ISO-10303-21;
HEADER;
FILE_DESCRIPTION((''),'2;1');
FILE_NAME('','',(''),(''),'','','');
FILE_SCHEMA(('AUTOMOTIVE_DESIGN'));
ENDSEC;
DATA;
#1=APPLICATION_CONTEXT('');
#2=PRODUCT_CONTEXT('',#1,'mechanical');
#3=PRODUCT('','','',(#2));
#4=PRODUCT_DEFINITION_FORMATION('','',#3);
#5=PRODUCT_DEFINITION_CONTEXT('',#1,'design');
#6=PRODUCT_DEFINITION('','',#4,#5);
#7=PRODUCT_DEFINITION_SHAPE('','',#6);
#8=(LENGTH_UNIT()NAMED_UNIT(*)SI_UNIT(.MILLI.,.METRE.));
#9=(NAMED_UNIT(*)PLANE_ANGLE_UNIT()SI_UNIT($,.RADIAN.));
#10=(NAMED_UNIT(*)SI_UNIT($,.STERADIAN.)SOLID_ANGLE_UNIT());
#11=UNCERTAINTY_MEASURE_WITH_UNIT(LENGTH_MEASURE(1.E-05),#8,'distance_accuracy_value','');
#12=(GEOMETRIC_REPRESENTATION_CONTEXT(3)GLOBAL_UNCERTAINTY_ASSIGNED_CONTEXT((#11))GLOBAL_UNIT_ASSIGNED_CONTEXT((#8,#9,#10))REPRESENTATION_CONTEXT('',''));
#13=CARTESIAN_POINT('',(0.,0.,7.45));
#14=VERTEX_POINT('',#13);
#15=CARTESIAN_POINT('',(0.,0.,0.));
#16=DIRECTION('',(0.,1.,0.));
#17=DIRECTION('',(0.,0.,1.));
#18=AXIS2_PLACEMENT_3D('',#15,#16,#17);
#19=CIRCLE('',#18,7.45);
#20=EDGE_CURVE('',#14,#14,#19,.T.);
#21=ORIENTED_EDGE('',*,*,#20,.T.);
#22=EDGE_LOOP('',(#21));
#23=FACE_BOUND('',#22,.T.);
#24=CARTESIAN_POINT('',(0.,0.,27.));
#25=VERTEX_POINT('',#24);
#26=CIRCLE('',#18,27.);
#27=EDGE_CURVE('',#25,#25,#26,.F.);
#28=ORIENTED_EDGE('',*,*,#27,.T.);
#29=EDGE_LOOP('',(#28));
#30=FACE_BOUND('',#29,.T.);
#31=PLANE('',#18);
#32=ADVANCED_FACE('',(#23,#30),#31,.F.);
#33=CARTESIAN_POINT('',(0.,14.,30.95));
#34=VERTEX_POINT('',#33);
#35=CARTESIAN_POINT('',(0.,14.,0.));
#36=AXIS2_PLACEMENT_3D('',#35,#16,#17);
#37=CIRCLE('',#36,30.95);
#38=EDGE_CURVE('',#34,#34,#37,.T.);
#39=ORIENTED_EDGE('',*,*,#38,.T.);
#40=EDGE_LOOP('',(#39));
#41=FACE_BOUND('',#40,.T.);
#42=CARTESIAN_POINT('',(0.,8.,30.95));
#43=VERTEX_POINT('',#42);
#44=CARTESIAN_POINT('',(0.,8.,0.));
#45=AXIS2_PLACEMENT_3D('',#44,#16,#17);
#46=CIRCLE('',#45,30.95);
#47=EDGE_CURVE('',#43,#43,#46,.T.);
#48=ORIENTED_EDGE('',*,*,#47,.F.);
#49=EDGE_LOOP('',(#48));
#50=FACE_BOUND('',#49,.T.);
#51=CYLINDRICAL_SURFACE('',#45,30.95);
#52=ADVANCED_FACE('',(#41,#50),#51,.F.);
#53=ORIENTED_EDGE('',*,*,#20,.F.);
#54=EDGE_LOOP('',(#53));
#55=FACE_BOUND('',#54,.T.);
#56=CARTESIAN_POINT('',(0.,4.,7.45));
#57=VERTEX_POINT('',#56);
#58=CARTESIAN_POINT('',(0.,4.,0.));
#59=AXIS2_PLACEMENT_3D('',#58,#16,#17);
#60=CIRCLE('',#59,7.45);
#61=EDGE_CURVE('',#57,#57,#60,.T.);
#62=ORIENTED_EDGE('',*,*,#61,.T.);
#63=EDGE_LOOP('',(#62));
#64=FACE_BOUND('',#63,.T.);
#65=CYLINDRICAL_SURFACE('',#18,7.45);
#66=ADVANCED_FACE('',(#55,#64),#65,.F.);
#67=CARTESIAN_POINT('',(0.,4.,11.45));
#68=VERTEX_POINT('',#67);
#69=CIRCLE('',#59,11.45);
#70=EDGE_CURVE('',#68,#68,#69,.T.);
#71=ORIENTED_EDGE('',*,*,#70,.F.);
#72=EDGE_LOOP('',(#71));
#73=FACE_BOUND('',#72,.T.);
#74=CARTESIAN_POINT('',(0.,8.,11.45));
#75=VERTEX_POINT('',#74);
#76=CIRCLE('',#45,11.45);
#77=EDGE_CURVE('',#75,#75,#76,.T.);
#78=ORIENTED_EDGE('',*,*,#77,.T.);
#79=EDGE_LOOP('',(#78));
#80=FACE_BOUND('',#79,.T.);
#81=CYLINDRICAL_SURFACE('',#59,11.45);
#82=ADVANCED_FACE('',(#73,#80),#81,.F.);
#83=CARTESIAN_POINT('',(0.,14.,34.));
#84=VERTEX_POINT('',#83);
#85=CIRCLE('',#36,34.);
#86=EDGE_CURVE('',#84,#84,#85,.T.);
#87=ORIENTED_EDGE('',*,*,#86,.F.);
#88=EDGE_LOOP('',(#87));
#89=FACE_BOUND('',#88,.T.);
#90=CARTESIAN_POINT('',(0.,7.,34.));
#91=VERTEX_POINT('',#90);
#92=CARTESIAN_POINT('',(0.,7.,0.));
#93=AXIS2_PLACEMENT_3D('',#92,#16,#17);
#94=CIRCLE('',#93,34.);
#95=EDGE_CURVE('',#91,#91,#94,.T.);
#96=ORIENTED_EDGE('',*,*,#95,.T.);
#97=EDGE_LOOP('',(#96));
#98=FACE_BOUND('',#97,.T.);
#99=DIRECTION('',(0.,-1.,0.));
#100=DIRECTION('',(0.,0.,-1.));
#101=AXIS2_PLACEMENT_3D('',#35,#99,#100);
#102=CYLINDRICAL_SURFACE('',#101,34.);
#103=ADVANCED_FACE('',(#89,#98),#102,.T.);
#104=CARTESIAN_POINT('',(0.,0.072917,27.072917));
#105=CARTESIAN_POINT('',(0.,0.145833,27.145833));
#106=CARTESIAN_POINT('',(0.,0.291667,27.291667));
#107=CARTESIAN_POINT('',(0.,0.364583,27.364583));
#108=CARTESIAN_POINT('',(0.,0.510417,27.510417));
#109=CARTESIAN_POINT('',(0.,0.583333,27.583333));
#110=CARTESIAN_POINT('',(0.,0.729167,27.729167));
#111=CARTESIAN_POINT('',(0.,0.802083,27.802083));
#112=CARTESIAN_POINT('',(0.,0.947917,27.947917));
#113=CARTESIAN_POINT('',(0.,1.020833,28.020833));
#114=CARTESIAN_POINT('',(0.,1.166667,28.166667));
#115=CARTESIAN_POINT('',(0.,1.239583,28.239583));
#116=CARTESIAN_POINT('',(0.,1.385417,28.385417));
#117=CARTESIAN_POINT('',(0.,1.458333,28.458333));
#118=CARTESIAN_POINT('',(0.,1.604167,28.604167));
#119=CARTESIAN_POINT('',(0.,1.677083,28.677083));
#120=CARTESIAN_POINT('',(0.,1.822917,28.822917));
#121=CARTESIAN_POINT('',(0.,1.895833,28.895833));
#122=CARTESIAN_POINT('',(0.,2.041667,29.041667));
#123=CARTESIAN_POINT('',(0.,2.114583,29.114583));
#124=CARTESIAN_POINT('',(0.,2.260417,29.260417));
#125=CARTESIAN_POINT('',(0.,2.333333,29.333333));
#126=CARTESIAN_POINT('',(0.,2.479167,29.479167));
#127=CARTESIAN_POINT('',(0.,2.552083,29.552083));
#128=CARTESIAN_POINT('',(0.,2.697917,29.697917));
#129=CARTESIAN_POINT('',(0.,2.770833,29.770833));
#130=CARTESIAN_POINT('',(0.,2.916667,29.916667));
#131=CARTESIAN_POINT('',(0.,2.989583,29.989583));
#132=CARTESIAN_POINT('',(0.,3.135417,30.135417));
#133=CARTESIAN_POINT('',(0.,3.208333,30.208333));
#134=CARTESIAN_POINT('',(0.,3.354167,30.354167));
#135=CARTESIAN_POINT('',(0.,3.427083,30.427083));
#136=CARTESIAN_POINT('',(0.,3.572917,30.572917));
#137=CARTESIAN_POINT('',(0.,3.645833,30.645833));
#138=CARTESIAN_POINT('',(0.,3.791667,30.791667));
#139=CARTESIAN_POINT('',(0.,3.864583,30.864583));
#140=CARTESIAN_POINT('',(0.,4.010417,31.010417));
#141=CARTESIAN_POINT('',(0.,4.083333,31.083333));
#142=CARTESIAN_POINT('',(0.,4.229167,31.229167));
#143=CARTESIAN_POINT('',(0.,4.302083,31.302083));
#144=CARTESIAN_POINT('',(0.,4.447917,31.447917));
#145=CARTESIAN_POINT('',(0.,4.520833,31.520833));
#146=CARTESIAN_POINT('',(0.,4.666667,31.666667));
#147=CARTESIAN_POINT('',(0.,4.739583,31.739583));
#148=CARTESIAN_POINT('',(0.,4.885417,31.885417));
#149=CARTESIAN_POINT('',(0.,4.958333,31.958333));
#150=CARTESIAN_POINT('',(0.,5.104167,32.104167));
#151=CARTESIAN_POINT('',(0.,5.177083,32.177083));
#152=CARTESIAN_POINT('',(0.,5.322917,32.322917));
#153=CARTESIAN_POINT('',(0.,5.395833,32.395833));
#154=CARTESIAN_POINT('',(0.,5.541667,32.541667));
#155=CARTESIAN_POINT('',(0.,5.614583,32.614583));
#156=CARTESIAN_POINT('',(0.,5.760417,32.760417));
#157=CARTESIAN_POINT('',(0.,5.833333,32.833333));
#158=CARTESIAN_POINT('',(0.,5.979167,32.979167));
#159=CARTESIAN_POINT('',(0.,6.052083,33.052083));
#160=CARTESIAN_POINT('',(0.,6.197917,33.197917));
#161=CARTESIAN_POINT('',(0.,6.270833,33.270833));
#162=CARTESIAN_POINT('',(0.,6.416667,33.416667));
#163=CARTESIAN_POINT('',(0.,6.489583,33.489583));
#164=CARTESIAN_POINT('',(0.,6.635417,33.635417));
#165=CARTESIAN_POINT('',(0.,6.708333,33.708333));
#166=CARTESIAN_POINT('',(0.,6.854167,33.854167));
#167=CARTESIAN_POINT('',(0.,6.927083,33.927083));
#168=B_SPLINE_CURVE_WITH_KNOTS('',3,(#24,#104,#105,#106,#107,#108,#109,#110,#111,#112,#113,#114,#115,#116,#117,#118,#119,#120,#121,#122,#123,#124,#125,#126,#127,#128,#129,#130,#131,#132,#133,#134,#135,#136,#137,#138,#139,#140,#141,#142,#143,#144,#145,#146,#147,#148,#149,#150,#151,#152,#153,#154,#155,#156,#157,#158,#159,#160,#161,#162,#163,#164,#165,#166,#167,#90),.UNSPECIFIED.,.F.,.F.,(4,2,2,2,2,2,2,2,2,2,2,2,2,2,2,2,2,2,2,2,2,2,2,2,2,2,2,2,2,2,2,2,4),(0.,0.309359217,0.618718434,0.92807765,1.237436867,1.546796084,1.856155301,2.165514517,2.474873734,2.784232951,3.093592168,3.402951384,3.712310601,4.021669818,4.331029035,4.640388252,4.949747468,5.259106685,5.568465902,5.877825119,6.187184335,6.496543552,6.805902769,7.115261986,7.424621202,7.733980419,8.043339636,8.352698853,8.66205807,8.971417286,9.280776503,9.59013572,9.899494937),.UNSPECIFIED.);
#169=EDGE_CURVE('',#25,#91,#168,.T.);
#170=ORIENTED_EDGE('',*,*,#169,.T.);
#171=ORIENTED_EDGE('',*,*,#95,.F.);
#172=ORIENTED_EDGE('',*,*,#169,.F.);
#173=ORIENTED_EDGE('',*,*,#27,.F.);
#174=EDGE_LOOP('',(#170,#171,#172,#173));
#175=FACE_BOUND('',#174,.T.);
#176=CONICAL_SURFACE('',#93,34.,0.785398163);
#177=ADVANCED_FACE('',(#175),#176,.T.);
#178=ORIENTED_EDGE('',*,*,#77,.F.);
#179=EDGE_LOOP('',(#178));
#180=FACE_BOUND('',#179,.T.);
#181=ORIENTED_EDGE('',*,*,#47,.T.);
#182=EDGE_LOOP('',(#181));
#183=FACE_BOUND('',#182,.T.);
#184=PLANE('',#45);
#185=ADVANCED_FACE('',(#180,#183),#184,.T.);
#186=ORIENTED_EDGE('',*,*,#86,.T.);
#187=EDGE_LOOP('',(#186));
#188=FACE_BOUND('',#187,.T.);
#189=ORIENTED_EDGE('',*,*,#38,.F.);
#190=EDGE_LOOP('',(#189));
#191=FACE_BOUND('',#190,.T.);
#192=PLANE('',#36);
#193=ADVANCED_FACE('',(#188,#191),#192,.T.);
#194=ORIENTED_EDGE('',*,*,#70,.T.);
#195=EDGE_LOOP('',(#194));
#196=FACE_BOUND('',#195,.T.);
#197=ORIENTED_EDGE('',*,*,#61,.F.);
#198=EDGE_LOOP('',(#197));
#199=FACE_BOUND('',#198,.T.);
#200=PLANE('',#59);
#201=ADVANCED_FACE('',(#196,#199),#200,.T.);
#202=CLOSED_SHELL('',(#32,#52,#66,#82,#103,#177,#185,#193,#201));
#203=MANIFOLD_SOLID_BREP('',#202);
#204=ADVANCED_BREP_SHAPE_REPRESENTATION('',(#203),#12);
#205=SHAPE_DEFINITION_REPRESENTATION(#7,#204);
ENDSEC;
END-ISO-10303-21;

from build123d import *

# Parameters (mm, degrees)
SKETCH1_R           = 34
BOSS_EXTRUDE1_DEPTH = 14
SKETCH2_R           = 30.95
CUT_EXTRUDE1_DEPTH  = 6
SKETCH3_R           = 11.45
CUT_EXTRUDE2_DEPTH  = 4
SKETCH4_R           = 7.45
CUT_EXTRUDE3_DEPTH  = 4
CHAMFER1_SIZE       = 7


with BuildPart() as part:
    # Sketch1 → Boss-Extrude1 (new body)
    with BuildSketch(Plane(origin=(0, 0, 0), x_dir=(1, 0, 0), z_dir=(0, 1, 0))):
        with Locations(Location((0, 0, 0), (0, 0, 270))):
            Circle(SKETCH1_R)
    extrude(amount=BOSS_EXTRUDE1_DEPTH)

    # Sketch2 → Cut-Extrude1 (cut)
    with BuildSketch(Plane(origin=(0, 14, 0), x_dir=(1, 0, 0), z_dir=(0, 1, 0))):
        with Locations(Location((0, 0, 0), (0, 0, 270))):
            Circle(SKETCH2_R)
    extrude(amount=-CUT_EXTRUDE1_DEPTH, mode=Mode.SUBTRACT)

    # Sketch3 → Cut-Extrude2 (cut)
    with BuildSketch(Plane(origin=(0, 8, 0), x_dir=(1, 0, 0), z_dir=(0, 1, 0))):
        with Locations(Location((0, 0, 0), (0, 0, 270))):
            Circle(SKETCH3_R)
    extrude(amount=-CUT_EXTRUDE2_DEPTH, mode=Mode.SUBTRACT)

    # Sketch4 → Cut-Extrude3 (cut)
    with BuildSketch(Plane(origin=(0, 4, 0), x_dir=(1, 0, 0), z_dir=(0, 1, 0))):
        with Locations(Location((0, 0, 0), (0, 0, 270))):
            Circle(SKETCH4_R)
    extrude(amount=-CUT_EXTRUDE3_DEPTH, mode=Mode.SUBTRACT)

    # Chamfer1
    chamfer1_edges = [part.edges().sort_by_distance(p)[0] for p in [
        (0, 0, -34),
    ]]
    chamfer(chamfer1_edges, length=CHAMFER1_SIZE)


solid = part.part
